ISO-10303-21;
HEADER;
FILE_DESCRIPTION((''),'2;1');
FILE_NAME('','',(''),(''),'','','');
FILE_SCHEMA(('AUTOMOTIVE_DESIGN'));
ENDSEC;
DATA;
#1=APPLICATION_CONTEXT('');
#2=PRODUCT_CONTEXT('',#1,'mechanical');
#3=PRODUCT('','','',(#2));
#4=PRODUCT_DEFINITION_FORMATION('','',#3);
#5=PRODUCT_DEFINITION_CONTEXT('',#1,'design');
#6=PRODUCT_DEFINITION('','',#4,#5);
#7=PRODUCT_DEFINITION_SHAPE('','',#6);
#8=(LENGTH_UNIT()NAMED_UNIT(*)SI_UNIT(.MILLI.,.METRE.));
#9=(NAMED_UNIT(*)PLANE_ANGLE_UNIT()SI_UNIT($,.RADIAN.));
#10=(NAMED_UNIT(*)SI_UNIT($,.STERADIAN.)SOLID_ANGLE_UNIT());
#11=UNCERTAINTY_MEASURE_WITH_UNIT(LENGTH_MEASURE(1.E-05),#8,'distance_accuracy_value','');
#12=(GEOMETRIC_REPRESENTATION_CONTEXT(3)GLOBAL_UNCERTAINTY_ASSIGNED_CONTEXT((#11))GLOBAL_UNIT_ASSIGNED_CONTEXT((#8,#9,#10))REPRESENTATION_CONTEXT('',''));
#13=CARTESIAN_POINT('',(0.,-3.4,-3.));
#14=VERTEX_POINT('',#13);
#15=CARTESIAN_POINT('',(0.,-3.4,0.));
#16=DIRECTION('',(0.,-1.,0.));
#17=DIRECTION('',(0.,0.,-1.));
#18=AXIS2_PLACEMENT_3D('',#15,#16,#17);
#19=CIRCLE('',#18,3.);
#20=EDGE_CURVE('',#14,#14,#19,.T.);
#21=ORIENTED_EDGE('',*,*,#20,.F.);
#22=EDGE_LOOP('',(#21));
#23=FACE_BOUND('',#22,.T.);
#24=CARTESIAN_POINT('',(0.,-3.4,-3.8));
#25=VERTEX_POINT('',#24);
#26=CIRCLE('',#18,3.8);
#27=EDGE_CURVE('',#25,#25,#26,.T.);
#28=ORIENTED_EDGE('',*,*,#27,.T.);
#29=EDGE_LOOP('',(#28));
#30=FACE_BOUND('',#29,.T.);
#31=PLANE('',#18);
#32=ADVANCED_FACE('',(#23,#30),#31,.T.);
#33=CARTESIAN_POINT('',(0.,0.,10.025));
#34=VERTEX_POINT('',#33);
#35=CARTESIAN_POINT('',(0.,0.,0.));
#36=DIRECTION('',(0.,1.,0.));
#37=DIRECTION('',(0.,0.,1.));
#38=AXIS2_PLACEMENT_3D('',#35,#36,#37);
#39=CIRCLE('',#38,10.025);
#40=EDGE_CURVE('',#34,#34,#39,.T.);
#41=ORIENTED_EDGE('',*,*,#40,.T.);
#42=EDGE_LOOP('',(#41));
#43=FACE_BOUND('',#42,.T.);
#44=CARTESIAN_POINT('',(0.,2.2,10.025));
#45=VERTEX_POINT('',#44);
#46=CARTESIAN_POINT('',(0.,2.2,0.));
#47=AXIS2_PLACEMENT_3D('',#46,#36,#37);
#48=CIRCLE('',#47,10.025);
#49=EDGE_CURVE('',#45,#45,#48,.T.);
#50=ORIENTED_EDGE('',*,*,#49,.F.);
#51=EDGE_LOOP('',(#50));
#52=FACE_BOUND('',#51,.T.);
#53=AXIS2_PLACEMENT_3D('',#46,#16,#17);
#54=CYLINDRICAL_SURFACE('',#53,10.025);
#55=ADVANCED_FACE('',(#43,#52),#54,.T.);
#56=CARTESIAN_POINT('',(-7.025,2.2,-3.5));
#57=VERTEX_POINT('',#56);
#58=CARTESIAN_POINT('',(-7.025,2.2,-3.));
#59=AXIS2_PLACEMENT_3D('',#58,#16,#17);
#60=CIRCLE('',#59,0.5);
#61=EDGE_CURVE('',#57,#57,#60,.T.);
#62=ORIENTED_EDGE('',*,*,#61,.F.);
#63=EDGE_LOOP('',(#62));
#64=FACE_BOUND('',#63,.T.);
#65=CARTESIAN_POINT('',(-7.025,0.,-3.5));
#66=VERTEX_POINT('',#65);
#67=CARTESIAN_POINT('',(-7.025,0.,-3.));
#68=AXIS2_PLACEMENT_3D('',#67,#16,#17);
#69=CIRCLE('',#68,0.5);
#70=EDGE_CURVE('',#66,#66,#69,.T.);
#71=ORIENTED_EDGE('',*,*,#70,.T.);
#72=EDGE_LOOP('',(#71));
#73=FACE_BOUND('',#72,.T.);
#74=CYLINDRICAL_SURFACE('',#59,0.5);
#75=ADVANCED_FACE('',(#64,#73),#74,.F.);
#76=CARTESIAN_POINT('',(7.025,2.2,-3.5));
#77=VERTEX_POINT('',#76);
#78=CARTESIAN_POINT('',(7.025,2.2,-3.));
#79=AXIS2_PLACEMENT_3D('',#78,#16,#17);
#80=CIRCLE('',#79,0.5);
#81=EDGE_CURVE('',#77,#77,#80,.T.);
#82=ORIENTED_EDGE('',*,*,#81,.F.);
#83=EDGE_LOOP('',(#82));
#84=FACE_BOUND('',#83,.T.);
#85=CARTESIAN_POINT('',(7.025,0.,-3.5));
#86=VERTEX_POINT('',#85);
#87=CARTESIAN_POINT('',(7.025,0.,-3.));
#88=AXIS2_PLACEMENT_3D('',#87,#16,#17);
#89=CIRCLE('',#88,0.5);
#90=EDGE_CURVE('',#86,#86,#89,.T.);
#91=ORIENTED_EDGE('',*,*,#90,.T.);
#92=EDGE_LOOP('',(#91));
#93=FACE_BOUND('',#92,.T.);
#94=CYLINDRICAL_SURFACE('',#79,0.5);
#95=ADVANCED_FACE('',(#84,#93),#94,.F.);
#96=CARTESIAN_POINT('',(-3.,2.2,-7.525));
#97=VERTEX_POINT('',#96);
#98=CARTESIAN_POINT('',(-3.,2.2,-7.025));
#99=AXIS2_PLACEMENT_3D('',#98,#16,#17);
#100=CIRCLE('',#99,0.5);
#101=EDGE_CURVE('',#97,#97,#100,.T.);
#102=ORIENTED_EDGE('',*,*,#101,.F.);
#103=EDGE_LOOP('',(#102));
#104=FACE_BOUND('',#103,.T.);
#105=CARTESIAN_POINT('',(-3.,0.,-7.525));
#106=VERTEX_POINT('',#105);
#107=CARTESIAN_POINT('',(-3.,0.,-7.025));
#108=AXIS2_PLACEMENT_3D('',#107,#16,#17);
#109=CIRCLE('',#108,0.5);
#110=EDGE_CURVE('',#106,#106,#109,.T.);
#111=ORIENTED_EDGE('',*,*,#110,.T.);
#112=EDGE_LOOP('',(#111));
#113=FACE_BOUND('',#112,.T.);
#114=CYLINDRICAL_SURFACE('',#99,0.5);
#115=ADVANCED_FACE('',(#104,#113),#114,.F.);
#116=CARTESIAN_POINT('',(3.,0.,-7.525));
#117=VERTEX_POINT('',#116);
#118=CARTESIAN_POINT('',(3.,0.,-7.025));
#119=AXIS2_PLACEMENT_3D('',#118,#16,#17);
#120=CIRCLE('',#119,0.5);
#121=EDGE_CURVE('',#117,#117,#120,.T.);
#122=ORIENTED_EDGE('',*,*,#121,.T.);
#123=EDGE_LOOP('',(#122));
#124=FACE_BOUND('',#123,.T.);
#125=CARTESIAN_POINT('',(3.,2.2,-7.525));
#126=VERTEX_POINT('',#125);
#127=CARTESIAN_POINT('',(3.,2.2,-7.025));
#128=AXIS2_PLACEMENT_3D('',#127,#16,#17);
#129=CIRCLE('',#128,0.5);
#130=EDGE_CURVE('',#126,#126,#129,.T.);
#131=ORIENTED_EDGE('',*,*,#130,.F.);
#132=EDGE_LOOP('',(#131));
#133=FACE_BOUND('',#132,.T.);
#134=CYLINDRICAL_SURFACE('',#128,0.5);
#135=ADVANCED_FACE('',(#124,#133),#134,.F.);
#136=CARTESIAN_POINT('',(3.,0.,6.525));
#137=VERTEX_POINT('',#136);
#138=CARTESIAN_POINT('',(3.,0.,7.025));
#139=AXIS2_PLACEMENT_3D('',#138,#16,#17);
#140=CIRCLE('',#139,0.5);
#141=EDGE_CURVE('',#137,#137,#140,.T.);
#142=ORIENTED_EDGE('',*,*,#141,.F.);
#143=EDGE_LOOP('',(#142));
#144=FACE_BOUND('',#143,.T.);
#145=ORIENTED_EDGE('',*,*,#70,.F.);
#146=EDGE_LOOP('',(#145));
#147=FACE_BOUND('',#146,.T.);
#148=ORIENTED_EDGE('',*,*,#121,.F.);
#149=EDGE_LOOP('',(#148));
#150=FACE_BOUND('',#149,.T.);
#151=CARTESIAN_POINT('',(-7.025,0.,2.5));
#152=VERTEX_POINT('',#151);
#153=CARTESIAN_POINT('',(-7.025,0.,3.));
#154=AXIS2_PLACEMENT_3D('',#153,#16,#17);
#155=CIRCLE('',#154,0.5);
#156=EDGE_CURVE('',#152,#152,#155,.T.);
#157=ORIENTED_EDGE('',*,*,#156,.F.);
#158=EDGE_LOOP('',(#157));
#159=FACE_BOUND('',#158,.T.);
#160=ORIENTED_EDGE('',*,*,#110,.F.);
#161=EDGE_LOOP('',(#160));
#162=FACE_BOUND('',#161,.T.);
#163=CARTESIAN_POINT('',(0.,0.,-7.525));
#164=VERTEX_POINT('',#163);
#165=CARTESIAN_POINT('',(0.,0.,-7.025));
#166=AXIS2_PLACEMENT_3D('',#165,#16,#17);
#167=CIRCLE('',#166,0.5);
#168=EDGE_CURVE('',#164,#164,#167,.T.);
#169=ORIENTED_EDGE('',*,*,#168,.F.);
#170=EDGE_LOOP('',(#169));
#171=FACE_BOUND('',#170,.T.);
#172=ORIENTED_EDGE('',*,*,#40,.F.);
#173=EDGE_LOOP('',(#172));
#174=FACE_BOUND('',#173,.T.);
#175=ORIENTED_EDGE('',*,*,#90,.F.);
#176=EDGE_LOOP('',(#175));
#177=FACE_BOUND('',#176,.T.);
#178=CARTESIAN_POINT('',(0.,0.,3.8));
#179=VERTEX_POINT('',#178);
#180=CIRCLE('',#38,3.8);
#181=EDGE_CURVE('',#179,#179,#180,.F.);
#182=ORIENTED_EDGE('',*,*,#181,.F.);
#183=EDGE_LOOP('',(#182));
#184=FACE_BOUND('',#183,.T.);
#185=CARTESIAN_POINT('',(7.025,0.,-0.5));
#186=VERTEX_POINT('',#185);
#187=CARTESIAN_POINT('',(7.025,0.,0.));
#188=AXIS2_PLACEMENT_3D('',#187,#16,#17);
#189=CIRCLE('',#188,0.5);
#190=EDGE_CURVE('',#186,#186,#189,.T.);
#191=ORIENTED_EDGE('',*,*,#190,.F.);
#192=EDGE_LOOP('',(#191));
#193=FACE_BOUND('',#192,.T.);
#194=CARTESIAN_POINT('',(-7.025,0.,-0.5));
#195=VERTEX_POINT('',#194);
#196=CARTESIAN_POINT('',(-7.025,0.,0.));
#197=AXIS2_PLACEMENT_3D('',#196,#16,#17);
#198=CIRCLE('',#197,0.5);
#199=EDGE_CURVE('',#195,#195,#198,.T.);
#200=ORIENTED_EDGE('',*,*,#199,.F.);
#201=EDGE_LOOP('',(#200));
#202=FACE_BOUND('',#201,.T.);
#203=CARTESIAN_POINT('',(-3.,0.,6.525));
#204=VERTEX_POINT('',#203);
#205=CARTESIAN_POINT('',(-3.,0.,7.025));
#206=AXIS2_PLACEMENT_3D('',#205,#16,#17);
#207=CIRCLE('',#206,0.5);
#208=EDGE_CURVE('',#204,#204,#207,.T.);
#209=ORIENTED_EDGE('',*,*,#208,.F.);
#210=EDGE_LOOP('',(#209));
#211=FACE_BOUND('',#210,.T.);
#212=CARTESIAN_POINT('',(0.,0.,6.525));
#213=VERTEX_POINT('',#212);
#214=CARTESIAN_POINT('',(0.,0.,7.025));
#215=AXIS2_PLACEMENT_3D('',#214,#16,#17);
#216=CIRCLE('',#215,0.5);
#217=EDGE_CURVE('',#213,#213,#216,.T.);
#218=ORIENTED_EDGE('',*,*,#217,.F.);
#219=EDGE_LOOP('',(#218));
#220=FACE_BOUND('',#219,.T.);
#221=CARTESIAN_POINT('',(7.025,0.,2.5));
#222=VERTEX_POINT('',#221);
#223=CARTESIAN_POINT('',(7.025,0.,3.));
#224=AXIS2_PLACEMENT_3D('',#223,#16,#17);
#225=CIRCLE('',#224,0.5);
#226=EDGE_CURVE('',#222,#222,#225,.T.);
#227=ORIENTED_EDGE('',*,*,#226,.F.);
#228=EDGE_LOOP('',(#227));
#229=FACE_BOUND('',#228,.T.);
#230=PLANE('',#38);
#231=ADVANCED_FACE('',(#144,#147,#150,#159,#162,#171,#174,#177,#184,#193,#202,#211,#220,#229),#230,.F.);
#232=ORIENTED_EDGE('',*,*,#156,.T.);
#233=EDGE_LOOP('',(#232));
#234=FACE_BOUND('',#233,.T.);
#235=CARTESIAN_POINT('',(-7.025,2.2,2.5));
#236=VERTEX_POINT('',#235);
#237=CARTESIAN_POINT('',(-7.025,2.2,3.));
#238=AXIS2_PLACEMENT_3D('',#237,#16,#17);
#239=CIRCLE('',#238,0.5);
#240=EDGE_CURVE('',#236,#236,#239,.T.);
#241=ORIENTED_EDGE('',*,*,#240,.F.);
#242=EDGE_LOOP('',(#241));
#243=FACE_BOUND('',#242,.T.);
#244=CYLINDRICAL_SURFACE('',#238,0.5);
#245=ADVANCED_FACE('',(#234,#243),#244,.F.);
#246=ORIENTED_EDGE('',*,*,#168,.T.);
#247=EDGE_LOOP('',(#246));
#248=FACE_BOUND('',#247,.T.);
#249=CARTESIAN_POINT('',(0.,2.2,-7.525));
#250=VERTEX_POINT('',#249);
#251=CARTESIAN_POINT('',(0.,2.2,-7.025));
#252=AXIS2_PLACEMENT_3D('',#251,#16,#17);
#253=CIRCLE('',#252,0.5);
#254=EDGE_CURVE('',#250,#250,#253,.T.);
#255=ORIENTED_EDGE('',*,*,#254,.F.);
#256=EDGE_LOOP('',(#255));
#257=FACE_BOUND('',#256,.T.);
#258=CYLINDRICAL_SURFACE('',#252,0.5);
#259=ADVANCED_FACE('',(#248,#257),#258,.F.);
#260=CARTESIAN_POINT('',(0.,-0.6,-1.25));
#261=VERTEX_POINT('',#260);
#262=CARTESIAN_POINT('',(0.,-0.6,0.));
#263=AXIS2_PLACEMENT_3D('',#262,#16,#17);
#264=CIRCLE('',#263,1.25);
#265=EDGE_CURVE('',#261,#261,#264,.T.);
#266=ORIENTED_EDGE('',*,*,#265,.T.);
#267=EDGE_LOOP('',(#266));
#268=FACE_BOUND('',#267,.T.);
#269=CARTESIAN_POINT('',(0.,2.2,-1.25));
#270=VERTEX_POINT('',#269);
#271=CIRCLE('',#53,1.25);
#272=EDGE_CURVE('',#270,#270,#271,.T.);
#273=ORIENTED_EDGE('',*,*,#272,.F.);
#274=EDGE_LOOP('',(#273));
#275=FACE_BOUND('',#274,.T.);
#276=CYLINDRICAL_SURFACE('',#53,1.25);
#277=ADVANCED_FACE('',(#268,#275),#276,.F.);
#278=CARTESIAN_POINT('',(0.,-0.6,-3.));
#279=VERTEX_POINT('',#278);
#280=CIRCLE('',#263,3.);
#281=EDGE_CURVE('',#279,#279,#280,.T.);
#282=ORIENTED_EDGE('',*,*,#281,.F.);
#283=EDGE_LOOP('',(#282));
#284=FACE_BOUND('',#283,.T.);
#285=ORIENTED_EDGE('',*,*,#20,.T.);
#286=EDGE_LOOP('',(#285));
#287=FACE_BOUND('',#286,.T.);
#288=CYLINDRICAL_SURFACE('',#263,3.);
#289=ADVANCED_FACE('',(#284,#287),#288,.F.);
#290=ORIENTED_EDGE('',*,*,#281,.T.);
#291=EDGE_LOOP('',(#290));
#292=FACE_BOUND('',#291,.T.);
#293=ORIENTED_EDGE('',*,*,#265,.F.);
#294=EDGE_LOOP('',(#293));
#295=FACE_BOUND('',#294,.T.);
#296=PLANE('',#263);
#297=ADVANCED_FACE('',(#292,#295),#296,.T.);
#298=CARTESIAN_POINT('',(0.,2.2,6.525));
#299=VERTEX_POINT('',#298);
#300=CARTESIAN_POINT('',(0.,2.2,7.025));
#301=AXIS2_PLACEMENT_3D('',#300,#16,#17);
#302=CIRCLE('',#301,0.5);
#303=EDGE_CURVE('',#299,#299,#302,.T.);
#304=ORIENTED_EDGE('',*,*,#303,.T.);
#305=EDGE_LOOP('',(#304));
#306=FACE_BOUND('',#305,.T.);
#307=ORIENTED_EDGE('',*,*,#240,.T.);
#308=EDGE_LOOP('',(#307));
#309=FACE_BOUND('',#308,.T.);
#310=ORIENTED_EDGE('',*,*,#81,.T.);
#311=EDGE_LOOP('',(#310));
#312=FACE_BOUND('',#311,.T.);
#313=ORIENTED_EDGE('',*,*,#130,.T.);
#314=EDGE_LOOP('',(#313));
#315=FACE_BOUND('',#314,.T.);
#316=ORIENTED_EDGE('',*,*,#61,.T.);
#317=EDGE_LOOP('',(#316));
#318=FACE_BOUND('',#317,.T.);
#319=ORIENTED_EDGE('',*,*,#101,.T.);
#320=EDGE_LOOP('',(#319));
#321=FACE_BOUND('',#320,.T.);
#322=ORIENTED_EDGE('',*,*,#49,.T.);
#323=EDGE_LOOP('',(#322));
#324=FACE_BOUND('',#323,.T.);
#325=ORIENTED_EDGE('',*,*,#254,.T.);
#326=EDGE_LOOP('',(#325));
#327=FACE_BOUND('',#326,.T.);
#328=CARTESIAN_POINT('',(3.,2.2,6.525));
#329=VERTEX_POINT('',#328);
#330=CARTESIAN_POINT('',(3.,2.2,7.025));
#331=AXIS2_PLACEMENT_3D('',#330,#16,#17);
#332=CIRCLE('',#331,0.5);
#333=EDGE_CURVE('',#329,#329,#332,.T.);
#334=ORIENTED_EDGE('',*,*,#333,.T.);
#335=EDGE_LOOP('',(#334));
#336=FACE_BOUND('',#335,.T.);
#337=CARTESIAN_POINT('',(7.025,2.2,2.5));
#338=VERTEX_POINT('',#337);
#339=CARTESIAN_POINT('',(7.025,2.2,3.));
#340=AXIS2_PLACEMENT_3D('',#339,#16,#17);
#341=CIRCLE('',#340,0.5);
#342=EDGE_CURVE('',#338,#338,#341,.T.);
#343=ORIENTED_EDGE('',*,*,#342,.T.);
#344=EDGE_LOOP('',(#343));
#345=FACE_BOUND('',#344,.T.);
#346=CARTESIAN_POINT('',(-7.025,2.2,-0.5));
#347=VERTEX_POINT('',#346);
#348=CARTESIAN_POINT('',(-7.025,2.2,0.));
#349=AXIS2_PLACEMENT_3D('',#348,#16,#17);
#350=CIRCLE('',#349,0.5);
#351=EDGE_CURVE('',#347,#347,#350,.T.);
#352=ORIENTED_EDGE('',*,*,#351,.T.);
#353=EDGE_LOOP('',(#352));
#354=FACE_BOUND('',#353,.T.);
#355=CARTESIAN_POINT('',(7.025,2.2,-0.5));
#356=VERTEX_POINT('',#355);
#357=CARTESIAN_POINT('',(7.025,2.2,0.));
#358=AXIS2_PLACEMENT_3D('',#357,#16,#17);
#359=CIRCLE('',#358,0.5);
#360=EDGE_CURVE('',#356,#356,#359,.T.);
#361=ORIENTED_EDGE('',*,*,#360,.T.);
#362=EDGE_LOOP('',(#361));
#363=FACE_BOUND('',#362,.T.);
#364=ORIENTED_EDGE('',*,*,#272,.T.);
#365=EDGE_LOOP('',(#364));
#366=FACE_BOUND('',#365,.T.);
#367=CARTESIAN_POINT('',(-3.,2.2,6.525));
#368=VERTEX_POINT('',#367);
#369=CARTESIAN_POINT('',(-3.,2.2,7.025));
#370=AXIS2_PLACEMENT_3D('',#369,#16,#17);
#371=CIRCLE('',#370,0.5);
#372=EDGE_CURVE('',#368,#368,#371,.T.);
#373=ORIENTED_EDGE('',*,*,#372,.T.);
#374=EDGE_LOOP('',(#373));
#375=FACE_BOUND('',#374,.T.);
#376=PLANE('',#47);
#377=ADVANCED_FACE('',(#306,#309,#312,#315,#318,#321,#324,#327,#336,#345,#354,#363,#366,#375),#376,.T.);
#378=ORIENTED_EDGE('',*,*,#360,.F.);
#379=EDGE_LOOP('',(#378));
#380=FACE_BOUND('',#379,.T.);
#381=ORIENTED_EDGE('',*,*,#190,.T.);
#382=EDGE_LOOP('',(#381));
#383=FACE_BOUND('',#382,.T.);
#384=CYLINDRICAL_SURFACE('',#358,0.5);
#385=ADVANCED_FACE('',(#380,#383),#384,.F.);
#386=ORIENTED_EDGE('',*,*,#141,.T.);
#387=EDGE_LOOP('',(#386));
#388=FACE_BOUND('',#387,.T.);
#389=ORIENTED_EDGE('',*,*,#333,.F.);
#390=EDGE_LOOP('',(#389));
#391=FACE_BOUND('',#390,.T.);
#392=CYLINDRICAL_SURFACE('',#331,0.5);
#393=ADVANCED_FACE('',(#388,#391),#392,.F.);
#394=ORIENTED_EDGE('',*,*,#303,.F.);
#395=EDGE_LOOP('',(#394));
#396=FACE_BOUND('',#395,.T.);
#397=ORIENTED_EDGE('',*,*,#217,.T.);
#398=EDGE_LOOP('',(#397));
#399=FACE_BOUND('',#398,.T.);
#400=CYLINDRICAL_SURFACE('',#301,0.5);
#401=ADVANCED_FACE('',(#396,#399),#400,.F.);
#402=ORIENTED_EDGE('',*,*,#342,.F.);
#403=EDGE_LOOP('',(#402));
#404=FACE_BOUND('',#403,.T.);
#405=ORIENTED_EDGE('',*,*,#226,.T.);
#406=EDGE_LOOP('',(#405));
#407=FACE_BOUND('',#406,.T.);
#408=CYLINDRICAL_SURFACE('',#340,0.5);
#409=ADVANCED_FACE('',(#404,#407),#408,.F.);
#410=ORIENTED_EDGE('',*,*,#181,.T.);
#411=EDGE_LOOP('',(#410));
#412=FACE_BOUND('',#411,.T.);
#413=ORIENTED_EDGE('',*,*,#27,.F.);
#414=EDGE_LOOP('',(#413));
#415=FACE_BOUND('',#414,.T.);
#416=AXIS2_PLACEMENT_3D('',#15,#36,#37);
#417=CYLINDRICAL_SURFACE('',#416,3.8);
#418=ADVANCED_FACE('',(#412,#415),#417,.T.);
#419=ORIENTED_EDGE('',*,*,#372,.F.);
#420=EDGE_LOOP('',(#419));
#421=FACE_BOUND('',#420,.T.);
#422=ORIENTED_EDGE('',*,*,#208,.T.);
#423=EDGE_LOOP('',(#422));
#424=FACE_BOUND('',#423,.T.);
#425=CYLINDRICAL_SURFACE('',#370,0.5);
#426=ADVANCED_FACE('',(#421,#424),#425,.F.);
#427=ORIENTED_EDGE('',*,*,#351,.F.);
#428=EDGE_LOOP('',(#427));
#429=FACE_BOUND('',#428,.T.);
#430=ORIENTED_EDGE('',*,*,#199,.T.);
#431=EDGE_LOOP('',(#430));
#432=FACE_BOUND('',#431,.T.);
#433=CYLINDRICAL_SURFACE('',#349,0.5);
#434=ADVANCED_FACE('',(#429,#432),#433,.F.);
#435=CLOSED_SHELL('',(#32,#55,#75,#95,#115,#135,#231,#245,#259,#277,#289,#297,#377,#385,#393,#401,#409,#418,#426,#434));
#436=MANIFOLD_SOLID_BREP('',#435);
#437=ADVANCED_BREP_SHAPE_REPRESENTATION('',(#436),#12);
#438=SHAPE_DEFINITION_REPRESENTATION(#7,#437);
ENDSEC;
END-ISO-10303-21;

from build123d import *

# Parameters (mm, degrees)
SKETCH1_R           = 10.025
BOSS_EXTRUDE1_DEPTH = 2.2
SKETCH2_R           = 0.5
CUT_EXTRUDE1_DEPTH  = 3.2
SKETCH3_R           = 3.8
BOSS_EXTRUDE2_DEPTH = 3.4
SKETCH4_R           = 3
CUT_EXTRUDE2_DEPTH  = 2.8
SKETCH5_R           = 1.25
CUT_EXTRUDE3_DEPTH  = 3.8


with BuildPart() as part:
    # Sketch1 → Boss-Extrude1 (new body)
    with BuildSketch(Plane(origin=(0, 0, 0), x_dir=(1, 0, 0), z_dir=(0, 1, 0))):
        Circle(SKETCH1_R)
    extrude(amount=BOSS_EXTRUDE1_DEPTH)

    # Sketch2 → Cut-Extrude1 (cut, through all)
    with BuildSketch(Plane.XZ):
        with Locations((-7.025, -3)):
            Circle(SKETCH2_R)
        with Locations((-7.025, 0)):
            Circle(SKETCH2_R)
        with Locations((-7.025, 3)):
            Circle(SKETCH2_R)
        with Locations((-3, 7.025)):
            Circle(SKETCH2_R)
        with Locations((0, 7.025)):
            Circle(SKETCH2_R)
        with Locations((3, 7.025)):
            Circle(SKETCH2_R)
        with Locations((7.025, 3)):
            Circle(SKETCH2_R)
        with Locations((7.025, 0)):
            Circle(SKETCH2_R)
        with Locations((7.025, -3)):
            Circle(SKETCH2_R)
        with Locations((3, -7.025)):
            Circle(SKETCH2_R)
        with Locations((0, -7.025)):
            Circle(SKETCH2_R)
        with Locations((-3, -7.025)):
            Circle(SKETCH2_R)
    extrude(amount=-CUT_EXTRUDE1_DEPTH, mode=Mode.SUBTRACT)

    # Sketch3 → Boss-Extrude2 (add)
    with BuildSketch(Plane(origin=(0, 0, 0), x_dir=(-1, 0, 0), z_dir=(0, -1, 0))):
        Circle(SKETCH3_R)
    extrude(amount=BOSS_EXTRUDE2_DEPTH)

    # Sketch4 → Cut-Extrude2 (cut)
    with BuildSketch(Plane.XZ.offset(3.4)):
        Circle(SKETCH4_R)
    extrude(amount=-CUT_EXTRUDE2_DEPTH, mode=Mode.SUBTRACT)

    # Sketch5 → Cut-Extrude3 (cut, through all)
    with BuildSketch(Plane.XZ.offset(0.6)):
        Circle(SKETCH5_R)
    extrude(amount=-CUT_EXTRUDE3_DEPTH, mode=Mode.SUBTRACT)


solid = part.part
